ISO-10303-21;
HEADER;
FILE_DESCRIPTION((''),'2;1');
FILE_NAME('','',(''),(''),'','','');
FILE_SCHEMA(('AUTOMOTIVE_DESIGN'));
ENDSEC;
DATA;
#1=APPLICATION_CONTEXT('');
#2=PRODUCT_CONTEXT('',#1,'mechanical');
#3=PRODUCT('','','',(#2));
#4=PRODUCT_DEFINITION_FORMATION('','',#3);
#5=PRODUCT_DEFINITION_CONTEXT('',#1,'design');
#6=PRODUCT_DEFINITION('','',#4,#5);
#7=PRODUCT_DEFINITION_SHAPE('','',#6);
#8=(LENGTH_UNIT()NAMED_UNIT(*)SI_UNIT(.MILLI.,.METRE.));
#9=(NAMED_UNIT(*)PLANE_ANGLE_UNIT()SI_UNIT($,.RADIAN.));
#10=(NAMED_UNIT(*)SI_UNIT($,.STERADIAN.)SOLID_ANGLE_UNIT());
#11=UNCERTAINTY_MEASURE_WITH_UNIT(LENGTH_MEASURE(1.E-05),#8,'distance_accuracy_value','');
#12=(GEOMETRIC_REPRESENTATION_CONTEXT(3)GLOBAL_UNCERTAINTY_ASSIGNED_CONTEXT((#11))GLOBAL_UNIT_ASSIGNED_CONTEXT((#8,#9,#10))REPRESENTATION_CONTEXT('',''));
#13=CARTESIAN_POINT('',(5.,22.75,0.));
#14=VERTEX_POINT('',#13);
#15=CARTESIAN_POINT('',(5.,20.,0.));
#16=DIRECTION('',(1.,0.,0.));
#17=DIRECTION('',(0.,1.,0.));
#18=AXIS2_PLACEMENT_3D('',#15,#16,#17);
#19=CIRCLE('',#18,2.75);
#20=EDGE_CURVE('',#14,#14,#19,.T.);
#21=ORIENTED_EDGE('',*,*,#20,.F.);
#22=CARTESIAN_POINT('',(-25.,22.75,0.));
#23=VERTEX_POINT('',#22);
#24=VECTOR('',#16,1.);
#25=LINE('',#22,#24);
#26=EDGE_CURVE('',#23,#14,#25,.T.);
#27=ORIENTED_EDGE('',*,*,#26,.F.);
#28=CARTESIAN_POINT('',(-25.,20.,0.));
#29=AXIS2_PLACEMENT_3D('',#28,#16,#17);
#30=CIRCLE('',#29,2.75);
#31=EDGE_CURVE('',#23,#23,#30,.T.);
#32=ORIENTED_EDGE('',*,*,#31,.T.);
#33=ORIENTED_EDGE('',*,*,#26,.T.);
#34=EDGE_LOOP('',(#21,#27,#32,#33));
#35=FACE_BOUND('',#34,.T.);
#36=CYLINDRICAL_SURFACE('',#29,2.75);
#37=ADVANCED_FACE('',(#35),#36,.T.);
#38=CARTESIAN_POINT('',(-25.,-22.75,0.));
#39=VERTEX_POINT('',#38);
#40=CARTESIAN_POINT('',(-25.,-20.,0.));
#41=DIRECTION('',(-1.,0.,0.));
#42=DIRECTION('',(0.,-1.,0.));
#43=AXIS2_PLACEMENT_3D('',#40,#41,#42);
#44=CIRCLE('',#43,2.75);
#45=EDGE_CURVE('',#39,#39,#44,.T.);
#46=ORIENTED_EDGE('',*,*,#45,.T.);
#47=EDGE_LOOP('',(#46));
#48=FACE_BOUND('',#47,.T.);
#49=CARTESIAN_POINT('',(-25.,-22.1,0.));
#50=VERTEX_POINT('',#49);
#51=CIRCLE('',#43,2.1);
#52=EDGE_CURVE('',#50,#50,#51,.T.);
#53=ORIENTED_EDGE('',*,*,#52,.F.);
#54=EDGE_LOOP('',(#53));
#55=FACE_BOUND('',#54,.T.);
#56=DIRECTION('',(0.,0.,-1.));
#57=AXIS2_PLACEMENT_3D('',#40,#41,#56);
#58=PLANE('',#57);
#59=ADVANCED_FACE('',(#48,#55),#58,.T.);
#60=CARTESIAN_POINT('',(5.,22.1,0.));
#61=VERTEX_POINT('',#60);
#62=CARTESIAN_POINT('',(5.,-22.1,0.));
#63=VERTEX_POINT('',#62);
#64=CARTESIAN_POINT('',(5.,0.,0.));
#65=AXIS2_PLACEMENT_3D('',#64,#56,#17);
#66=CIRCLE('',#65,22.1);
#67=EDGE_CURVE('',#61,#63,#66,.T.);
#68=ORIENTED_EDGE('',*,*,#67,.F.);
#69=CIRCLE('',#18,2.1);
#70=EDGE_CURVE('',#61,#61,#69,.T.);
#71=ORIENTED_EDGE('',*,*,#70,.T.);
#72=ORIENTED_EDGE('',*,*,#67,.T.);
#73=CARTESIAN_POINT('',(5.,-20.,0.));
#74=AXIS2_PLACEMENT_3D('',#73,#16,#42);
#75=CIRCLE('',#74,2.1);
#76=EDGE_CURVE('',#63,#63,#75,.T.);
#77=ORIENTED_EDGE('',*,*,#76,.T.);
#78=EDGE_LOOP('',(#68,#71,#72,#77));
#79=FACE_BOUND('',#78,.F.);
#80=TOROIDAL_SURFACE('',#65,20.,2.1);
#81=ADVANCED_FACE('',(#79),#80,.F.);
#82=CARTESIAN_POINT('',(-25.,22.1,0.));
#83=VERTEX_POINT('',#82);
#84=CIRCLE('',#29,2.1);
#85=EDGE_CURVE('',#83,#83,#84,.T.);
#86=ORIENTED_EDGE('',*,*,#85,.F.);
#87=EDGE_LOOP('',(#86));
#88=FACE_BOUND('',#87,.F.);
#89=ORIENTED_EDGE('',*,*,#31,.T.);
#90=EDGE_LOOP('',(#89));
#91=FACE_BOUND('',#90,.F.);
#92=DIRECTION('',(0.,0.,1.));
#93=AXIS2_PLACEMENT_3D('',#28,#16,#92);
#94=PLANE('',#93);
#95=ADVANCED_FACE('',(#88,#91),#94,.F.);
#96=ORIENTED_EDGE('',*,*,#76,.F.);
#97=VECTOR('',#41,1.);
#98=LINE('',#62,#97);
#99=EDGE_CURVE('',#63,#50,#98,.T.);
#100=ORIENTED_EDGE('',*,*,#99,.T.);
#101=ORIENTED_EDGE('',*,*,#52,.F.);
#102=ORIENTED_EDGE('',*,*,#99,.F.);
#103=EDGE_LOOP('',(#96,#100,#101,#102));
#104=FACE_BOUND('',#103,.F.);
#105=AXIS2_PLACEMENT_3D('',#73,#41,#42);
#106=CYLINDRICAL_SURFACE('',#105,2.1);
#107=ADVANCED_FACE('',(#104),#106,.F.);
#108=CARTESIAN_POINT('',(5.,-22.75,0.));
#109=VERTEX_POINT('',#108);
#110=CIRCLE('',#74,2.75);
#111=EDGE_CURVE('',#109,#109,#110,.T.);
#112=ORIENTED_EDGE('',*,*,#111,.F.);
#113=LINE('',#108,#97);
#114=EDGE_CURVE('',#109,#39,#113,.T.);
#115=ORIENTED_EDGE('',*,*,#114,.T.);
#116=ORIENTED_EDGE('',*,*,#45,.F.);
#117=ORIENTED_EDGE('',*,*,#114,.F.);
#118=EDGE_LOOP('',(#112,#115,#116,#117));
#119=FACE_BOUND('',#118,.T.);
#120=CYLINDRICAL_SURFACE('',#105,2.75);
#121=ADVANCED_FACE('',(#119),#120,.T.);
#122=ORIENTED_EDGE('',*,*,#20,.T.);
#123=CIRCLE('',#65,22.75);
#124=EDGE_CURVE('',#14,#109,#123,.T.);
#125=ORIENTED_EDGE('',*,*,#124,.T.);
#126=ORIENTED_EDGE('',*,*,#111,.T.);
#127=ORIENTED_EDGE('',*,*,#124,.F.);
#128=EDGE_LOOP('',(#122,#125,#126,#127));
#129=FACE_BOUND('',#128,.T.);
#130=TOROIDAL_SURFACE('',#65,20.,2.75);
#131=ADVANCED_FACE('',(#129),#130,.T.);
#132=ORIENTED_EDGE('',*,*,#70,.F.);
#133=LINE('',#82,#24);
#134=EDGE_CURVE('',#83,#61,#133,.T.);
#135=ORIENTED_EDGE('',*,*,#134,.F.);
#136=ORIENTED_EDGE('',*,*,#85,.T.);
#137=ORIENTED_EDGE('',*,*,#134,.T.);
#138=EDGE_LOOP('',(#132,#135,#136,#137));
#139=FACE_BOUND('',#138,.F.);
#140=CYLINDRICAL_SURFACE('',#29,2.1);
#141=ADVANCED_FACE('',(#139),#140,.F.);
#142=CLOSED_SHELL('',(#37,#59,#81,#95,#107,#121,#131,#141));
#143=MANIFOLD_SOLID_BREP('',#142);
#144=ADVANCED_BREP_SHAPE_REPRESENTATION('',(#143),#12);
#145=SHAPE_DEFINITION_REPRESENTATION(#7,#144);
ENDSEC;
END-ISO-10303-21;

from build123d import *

# Parameters (mm, degrees)
F2_R   = 2.75
F2_R_2 = 2.1


with BuildPart() as f3:
    # F3: sweep along a path in F0
    with BuildLine(Plane.XY) as f3_path:
        Line((-25, 20), (5, 20))
        ThreePointArc((5, 20), (25, 0), (5, -20))
        Line((5, -20), (-25, -20))
    # F2 (on offset) → F3 (sweep)
    with BuildSketch(Plane.YZ.offset(-25)):
        with Locations((20, 0)):
            Circle(F2_R)
        with Locations((20, 0)):
            Circle(F2_R_2, mode=Mode.SUBTRACT)
    sweep(path=f3_path.line)


solid = f3.part
